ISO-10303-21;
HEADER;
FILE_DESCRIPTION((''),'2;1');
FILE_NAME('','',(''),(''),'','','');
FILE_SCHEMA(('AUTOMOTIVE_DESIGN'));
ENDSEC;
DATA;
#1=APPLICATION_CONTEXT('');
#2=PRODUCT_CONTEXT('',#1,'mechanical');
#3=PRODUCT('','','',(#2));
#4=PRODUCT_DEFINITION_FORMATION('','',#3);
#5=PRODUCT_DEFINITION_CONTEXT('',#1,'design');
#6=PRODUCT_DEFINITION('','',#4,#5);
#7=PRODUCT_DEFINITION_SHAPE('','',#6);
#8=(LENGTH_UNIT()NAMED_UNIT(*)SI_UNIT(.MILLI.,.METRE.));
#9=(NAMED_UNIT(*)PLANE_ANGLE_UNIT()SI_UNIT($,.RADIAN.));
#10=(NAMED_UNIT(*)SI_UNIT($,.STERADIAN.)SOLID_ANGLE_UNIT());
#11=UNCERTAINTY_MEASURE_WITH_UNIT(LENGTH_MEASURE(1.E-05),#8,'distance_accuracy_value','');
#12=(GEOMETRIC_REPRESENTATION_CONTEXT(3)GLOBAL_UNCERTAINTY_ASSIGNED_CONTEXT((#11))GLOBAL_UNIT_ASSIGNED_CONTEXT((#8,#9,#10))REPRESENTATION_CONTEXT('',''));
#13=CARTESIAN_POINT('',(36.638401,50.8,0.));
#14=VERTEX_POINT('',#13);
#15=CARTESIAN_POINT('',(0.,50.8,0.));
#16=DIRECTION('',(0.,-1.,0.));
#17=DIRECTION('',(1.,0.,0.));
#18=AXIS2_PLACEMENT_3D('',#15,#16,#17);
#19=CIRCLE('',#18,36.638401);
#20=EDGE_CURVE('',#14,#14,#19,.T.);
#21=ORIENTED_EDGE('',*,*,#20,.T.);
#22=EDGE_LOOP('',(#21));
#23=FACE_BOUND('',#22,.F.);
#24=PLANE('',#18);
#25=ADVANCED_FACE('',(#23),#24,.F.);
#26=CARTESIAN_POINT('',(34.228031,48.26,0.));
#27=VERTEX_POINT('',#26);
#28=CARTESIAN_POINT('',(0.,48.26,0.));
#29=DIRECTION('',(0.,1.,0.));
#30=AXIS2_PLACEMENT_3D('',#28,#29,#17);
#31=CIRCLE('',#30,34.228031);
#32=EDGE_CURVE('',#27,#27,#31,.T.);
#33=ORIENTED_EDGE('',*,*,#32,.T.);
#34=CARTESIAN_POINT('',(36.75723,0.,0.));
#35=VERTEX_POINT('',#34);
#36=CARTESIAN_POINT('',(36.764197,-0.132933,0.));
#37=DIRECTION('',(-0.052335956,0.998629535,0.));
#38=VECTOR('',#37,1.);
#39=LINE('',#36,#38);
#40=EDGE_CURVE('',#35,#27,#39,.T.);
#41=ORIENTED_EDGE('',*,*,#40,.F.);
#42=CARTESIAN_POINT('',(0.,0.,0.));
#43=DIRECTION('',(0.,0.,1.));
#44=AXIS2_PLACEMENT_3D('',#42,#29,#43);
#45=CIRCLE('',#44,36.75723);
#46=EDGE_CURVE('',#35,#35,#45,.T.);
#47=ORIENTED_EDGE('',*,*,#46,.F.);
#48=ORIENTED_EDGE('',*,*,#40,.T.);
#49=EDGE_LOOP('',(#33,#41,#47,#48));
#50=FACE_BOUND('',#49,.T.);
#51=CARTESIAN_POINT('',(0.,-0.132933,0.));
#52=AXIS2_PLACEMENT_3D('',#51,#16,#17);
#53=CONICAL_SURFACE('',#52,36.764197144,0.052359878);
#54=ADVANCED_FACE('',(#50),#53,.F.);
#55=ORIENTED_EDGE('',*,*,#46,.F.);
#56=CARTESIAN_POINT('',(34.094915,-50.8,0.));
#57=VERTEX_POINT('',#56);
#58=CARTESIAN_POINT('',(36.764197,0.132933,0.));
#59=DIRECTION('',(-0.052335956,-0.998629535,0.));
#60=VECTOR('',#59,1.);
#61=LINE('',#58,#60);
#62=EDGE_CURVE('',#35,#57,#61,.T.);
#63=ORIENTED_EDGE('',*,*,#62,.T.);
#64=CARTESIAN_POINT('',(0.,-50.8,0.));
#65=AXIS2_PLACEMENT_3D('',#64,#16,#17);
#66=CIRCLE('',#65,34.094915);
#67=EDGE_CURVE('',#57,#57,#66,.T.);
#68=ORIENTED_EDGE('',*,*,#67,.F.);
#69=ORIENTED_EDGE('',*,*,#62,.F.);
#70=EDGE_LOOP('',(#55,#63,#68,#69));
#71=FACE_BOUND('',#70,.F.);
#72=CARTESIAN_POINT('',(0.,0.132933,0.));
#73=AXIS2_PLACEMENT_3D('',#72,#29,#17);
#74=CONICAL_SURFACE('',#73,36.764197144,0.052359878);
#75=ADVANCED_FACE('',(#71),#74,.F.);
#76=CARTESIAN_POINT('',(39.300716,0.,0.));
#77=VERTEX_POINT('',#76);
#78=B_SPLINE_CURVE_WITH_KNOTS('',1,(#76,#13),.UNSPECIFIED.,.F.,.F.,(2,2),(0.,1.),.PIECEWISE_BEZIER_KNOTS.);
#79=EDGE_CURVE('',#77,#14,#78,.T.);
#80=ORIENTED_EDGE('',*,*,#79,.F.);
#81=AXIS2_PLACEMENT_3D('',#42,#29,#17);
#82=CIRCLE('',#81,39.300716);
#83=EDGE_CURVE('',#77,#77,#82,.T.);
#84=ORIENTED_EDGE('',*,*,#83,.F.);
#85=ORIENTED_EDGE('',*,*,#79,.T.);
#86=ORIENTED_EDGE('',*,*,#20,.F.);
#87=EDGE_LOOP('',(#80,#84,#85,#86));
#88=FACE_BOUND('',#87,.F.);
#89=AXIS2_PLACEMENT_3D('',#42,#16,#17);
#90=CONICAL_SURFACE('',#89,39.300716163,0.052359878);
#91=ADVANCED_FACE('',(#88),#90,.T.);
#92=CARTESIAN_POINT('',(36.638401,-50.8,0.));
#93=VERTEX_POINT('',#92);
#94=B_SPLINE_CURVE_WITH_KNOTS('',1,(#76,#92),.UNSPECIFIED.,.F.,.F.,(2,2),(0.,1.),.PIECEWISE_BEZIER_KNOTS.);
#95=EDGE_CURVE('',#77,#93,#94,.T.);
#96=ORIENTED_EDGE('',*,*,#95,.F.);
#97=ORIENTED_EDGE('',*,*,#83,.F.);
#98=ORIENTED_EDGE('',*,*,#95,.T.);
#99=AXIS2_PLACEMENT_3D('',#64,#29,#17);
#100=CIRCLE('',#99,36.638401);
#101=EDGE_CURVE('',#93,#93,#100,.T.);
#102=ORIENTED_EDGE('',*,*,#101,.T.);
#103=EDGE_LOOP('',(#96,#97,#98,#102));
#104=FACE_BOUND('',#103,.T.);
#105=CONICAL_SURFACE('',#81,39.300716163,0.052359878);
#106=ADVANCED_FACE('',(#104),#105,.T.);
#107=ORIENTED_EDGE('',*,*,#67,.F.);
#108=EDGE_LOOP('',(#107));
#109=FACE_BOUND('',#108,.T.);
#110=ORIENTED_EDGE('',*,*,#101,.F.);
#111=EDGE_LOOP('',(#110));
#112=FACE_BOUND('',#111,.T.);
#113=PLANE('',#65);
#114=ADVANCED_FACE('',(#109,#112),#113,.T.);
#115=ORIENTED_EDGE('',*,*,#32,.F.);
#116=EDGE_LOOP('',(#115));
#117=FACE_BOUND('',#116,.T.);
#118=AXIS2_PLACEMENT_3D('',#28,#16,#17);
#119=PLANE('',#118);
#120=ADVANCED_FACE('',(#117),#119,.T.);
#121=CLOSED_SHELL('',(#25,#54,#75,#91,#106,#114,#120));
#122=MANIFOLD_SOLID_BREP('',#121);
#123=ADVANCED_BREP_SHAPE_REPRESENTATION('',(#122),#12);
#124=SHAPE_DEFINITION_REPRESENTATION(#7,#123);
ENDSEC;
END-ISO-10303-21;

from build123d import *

# Parameters (mm, degrees)
F0_R     = 39.3007161627
F1_DEPTH = 50.8
F1_TAPER = 3
F2_T     = -2.54


with BuildPart() as f1:
    # F0 (on Front) → F1 (new body, symmetric)
    with BuildSketch(Plane.XZ):
        Circle(F0_R)
    extrude(amount=F1_DEPTH, both=True, taper=F1_TAPER)

    # F2
    f2_openings = [f1.faces().sort_by_distance(p)[0] for p in [
        (0, -50.8, 0),
    ]]
    offset(amount=F2_T, openings=f2_openings, kind=Kind.INTERSECTION)


solid = f1.part
